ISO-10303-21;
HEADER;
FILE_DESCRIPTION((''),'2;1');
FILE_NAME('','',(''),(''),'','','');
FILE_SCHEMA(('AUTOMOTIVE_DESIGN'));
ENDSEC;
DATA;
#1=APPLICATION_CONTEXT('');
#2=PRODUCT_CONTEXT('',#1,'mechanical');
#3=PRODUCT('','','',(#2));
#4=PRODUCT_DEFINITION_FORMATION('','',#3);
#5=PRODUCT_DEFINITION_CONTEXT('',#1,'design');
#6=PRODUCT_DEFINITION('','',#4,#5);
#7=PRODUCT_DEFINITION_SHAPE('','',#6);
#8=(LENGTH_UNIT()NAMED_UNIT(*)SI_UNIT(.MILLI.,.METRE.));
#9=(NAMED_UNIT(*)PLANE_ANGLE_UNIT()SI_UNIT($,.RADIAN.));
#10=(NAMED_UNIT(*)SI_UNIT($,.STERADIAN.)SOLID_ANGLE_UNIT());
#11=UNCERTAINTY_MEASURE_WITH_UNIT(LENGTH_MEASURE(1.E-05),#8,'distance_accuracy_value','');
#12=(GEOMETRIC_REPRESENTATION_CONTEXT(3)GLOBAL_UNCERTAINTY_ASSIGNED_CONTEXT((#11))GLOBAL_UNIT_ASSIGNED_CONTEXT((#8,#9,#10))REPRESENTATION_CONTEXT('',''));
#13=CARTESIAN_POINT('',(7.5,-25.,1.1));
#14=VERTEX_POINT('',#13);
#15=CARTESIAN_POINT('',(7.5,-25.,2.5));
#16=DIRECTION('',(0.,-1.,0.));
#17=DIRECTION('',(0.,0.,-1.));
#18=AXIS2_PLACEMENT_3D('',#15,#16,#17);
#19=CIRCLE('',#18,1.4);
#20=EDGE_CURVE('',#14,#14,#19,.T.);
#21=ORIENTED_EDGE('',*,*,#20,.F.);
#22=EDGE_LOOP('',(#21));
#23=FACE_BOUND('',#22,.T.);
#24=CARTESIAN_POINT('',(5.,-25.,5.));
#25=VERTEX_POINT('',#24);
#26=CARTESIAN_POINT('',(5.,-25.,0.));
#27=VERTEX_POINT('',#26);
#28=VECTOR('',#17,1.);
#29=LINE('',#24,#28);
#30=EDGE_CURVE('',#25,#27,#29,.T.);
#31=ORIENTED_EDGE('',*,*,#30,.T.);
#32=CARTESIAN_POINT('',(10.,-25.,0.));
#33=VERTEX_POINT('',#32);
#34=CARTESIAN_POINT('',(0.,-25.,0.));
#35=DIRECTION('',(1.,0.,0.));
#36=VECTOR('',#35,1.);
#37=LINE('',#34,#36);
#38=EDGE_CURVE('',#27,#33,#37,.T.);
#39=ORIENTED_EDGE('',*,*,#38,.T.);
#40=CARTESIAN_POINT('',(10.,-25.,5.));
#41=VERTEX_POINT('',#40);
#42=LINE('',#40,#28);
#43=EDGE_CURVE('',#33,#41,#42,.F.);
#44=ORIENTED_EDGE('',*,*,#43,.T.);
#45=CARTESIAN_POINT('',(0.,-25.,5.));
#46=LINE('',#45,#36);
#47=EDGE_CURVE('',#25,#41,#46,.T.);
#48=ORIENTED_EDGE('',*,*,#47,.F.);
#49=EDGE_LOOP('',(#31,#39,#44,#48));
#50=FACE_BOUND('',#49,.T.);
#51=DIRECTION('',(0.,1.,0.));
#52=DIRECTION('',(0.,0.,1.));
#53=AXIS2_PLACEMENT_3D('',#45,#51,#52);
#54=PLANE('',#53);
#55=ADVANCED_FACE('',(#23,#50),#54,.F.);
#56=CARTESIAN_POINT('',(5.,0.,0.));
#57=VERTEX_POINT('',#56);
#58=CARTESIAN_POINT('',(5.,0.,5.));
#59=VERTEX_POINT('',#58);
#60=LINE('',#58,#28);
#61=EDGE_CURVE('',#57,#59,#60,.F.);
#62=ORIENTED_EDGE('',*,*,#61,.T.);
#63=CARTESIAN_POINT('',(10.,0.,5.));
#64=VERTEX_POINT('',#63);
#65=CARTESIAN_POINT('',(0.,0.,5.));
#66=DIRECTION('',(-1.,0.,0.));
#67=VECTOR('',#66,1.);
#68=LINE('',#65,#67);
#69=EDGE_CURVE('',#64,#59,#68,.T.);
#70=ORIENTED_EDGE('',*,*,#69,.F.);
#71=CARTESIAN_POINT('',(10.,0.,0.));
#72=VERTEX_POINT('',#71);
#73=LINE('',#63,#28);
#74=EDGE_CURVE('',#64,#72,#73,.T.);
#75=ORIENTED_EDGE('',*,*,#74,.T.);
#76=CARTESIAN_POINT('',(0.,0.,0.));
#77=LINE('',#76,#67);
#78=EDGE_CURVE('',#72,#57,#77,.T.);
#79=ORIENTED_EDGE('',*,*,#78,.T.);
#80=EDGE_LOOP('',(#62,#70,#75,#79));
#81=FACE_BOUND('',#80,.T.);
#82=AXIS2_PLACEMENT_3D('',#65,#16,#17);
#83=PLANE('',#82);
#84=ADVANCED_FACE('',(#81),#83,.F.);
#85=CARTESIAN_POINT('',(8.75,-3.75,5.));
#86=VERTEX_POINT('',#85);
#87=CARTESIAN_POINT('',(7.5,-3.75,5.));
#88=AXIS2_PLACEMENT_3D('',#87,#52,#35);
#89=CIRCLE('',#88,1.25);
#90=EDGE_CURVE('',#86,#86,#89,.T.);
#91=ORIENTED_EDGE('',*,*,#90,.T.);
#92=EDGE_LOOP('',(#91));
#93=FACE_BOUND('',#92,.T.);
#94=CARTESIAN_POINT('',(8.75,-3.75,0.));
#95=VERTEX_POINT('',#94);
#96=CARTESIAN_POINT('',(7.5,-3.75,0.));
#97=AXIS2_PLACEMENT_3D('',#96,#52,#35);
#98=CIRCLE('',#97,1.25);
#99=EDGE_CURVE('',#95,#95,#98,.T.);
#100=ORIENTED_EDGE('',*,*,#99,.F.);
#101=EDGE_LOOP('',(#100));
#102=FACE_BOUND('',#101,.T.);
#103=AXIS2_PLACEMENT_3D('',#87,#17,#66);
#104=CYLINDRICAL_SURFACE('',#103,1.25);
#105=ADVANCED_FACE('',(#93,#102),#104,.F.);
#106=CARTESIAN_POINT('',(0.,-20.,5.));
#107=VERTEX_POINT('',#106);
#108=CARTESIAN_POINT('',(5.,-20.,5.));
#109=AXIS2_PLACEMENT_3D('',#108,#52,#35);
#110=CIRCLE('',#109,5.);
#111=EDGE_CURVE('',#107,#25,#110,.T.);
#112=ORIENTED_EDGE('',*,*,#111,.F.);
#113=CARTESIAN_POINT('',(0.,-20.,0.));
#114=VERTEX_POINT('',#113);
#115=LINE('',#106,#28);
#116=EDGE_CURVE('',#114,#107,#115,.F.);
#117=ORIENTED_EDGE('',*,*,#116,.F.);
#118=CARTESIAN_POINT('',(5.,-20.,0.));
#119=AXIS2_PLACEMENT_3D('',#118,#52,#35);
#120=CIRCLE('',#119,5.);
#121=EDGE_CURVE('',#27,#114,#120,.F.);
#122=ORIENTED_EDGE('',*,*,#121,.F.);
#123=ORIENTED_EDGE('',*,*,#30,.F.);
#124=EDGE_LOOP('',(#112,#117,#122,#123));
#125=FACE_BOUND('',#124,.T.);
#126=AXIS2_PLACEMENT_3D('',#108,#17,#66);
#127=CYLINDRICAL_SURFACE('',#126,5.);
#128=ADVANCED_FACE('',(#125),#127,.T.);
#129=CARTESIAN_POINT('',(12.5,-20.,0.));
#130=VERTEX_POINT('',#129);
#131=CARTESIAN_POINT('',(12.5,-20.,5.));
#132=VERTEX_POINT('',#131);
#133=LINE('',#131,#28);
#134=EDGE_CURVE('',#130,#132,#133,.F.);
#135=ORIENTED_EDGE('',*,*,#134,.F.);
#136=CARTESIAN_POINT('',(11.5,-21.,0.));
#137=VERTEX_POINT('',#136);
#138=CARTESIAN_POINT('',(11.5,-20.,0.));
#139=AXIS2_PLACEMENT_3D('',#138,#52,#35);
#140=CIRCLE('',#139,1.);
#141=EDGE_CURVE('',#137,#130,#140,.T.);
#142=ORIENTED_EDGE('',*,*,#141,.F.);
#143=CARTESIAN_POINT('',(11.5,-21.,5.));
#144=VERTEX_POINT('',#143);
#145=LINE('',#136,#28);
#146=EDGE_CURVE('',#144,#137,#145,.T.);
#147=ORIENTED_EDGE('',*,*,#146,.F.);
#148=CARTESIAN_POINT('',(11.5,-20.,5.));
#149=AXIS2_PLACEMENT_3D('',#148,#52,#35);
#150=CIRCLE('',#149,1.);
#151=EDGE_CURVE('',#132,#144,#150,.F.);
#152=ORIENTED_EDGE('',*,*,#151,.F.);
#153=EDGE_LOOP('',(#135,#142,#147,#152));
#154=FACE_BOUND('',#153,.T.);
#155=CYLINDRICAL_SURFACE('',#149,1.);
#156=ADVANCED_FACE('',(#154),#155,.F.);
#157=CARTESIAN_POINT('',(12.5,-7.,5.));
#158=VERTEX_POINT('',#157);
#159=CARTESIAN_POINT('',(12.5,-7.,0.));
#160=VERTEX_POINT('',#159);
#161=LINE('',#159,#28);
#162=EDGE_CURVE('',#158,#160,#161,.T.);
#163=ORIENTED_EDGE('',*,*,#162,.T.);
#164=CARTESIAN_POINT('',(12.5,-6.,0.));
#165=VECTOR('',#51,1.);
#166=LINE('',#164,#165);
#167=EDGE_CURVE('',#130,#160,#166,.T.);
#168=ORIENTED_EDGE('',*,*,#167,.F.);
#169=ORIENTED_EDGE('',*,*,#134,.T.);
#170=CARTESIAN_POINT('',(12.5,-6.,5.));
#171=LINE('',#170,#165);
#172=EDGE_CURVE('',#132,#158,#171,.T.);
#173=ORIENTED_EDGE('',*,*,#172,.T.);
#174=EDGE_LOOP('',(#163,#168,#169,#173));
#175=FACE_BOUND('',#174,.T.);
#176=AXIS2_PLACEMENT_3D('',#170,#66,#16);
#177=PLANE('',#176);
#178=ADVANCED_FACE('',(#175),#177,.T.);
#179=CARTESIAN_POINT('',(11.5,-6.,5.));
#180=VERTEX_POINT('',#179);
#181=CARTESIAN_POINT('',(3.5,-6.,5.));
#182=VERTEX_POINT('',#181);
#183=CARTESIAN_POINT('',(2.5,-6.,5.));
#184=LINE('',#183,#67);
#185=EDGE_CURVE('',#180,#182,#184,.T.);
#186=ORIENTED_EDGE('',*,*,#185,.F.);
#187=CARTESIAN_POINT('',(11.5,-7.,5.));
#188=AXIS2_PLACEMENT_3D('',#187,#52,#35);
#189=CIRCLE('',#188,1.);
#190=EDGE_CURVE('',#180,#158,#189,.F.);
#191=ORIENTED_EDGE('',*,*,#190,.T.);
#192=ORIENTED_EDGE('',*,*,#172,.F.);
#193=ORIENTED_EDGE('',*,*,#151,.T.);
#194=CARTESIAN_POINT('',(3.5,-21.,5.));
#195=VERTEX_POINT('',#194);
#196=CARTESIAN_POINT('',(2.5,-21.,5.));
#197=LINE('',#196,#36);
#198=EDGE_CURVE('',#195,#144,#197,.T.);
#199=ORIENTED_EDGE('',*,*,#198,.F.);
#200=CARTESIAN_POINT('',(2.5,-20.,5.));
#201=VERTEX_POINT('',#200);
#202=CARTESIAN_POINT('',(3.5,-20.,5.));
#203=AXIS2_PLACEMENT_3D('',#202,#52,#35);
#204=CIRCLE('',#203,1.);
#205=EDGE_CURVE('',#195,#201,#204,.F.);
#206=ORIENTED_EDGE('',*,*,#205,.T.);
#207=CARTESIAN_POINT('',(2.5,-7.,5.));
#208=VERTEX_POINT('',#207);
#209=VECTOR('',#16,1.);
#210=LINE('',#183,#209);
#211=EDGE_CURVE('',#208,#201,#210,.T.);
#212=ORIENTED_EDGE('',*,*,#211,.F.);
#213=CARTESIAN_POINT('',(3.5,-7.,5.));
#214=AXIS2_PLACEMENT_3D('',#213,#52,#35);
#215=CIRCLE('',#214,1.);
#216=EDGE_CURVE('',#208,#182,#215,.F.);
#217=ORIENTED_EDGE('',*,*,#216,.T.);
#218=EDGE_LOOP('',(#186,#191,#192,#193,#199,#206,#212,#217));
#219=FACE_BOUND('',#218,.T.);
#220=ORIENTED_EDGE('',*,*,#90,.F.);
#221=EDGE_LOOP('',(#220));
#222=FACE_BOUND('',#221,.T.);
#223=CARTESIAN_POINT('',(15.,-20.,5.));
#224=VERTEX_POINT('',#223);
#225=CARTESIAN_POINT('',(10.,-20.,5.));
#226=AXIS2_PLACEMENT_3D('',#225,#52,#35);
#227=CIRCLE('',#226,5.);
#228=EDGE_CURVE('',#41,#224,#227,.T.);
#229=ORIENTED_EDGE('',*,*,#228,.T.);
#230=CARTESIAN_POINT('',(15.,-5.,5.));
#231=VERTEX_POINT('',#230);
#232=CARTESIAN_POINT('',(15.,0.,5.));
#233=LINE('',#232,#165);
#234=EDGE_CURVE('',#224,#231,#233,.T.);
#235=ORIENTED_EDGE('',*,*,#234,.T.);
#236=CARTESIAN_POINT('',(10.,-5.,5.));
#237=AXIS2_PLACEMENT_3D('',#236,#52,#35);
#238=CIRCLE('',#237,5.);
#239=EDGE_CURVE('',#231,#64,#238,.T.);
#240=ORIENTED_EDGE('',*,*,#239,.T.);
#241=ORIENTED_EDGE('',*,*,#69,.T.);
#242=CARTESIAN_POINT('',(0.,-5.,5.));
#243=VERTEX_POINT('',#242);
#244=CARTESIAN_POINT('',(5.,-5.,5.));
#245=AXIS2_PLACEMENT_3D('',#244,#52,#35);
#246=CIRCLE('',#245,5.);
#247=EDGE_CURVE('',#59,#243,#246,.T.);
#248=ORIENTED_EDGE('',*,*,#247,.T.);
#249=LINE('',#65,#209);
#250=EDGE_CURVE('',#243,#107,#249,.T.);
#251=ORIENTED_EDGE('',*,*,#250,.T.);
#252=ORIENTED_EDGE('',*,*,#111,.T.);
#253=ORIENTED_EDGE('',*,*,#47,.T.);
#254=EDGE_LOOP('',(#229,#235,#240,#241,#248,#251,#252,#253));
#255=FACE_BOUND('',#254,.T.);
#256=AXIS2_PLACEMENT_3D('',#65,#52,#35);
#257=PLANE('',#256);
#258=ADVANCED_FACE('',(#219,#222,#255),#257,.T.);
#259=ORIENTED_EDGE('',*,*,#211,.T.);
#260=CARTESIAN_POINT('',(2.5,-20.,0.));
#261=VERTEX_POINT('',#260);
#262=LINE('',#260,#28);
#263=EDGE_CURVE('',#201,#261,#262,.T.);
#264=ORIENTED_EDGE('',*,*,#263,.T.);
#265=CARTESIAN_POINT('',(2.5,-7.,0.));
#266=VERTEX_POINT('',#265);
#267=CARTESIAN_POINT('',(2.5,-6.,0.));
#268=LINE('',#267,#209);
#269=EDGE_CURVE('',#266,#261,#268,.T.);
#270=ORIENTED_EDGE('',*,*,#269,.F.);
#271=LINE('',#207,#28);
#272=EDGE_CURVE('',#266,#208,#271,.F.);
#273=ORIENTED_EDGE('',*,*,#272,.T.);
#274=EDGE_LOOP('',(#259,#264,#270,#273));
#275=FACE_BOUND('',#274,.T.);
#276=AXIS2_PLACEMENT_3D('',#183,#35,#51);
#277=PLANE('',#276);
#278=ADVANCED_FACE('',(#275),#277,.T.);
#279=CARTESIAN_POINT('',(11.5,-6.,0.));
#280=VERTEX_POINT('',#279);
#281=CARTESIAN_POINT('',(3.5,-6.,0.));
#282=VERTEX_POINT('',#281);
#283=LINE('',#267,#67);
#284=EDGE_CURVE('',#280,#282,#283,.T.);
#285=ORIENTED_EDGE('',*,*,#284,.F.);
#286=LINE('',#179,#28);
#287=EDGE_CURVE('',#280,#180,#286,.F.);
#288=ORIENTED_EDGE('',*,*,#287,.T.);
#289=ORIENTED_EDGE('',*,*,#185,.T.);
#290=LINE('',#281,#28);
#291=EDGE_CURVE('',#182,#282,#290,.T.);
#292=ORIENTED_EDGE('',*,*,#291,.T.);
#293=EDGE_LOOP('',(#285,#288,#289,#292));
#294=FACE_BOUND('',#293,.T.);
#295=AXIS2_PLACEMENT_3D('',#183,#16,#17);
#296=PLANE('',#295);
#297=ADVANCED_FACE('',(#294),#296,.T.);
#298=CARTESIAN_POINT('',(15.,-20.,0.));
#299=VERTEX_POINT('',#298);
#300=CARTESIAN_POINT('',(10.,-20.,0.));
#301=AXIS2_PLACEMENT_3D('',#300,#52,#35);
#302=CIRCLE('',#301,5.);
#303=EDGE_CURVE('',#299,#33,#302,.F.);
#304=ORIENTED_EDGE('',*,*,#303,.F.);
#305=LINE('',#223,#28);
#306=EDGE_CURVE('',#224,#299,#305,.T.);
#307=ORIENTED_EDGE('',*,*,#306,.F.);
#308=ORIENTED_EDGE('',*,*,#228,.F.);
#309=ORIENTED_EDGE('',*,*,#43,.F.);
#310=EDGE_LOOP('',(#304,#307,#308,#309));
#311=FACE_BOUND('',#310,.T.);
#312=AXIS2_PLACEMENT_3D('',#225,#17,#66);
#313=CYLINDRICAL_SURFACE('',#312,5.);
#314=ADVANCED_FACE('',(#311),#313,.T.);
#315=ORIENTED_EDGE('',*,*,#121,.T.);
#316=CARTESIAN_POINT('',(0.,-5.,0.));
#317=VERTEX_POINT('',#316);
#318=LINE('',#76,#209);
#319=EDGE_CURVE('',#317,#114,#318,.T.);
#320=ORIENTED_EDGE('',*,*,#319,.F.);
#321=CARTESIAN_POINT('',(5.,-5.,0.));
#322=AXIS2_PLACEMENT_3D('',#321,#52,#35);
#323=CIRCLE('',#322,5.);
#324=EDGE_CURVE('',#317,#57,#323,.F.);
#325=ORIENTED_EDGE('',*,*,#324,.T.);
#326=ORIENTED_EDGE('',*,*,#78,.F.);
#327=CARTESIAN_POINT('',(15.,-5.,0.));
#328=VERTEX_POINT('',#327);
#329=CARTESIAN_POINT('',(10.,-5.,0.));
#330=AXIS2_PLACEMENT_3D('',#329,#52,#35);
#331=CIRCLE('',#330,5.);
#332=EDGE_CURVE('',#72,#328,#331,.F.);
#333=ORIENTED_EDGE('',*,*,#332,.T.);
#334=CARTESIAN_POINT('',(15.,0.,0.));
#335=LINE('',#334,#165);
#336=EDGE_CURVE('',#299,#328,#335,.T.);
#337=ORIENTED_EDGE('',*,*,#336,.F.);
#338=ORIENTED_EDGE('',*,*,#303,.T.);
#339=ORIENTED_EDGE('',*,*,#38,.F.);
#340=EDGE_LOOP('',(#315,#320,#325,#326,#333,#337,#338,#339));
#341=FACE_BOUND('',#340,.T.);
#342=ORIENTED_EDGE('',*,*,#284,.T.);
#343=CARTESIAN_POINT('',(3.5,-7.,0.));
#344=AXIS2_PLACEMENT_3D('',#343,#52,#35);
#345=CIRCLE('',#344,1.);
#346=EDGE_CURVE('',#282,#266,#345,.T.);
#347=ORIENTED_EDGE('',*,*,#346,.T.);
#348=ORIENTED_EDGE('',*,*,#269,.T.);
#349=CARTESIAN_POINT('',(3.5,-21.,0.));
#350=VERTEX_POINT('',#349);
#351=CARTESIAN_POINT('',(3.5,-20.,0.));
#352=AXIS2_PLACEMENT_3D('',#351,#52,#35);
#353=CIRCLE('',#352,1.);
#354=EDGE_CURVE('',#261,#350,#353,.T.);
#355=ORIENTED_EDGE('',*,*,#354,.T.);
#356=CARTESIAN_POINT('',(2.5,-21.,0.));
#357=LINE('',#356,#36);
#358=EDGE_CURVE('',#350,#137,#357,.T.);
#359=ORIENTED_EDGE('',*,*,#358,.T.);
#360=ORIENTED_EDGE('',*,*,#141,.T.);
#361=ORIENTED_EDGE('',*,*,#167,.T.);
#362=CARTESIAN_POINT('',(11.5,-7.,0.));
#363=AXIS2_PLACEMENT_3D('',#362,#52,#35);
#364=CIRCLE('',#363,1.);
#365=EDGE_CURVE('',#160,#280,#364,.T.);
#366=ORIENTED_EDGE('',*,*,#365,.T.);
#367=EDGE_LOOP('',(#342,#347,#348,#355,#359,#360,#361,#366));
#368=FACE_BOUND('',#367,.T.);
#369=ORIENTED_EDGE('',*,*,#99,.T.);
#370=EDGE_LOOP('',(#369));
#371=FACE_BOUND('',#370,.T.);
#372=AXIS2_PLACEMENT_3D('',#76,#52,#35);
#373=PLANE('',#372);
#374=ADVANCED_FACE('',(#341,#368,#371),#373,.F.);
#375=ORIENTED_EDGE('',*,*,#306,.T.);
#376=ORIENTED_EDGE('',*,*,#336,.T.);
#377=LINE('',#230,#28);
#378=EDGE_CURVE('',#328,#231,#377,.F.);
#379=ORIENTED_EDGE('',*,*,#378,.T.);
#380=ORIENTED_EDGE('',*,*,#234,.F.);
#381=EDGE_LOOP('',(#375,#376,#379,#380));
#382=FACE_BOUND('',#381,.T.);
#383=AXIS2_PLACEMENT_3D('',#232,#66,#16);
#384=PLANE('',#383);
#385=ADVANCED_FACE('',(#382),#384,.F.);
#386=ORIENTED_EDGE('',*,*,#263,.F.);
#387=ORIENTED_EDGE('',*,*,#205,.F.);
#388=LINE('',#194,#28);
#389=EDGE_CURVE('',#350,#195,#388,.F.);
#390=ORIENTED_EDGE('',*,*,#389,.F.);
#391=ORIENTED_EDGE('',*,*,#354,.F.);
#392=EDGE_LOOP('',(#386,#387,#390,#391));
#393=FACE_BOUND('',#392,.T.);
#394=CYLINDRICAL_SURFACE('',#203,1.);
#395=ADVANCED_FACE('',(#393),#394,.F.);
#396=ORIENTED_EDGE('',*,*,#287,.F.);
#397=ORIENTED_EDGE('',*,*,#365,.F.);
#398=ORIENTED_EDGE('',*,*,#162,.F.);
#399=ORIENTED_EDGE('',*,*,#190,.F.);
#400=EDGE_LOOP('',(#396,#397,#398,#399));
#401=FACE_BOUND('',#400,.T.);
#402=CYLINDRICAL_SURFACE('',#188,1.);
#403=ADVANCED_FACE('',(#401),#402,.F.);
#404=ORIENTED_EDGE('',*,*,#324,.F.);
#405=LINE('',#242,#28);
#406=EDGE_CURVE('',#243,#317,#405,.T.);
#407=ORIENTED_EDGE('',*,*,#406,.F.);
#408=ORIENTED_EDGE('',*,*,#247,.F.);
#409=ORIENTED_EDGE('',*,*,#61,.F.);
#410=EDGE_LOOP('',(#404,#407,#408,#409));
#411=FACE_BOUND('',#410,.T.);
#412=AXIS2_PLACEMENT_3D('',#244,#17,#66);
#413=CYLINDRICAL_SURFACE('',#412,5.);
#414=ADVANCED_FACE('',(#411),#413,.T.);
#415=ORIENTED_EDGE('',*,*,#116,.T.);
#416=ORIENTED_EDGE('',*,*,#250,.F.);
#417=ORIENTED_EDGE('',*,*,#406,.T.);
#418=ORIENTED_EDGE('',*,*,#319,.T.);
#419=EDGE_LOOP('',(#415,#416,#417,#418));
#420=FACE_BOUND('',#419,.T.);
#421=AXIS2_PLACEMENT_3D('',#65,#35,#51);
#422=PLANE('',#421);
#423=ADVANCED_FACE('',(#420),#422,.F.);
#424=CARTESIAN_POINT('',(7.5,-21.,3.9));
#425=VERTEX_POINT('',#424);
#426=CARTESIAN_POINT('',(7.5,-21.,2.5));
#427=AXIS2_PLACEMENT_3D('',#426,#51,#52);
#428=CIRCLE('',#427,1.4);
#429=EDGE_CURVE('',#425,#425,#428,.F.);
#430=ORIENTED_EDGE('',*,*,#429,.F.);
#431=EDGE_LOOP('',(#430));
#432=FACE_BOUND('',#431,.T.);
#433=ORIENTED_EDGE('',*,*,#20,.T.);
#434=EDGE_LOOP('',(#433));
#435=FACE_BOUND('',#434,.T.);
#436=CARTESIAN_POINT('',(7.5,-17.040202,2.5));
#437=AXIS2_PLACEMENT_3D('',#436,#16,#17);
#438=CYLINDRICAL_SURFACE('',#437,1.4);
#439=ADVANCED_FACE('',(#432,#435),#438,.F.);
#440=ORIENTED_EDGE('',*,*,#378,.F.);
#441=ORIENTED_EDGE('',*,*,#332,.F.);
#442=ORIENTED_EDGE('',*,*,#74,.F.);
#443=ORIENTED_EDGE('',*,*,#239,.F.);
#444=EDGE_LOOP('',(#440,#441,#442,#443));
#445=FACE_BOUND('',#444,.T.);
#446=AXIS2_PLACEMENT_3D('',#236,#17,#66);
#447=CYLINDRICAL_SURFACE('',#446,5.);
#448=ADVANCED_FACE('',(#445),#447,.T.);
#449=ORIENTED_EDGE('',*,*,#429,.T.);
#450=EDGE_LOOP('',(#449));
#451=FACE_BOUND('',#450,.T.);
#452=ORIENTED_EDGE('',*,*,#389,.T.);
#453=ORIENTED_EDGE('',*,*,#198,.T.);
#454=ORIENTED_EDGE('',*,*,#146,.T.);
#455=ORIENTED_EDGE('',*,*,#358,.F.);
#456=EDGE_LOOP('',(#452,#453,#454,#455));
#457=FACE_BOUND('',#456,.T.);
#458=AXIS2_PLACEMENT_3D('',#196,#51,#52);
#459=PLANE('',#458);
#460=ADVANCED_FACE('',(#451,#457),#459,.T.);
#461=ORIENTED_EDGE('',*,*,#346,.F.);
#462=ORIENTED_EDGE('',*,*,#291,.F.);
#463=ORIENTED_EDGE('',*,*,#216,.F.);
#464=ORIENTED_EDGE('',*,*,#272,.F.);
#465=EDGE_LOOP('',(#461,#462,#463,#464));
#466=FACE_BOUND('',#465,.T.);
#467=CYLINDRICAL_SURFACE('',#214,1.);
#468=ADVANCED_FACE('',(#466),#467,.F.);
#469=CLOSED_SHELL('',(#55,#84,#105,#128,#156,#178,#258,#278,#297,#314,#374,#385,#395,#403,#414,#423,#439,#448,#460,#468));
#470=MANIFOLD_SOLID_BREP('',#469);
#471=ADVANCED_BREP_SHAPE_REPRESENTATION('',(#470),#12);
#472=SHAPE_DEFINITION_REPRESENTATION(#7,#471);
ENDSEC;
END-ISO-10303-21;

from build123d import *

# Parameters (mm, degrees)
SKETCH1_W           = 15
SKETCH1_H           = 25
SKETCH1_R           = 1.25
SKETCH1_W_2         = 10
SKETCH1_H_2         = 15
BOSS_EXTRUDE1_DEPTH = 5
SKETCH2_R           = 1.4
CUT_EXTRUDE1_DEPTH  = 4
FILLET1_R           = 5
FILLET2_R           = 1


with BuildPart() as part:
    # Sketch1 → Boss-Extrude1 (new body)
    with BuildSketch(Plane.XY):
        with Locations((7.5, -12.5)):
            Rectangle(SKETCH1_W, SKETCH1_H)
        with Locations((7.5, -3.75)):
            Circle(SKETCH1_R, mode=Mode.SUBTRACT)
        with Locations((7.5, -13.5)):
            Rectangle(SKETCH1_W_2, SKETCH1_H_2, mode=Mode.SUBTRACT)
    extrude(amount=BOSS_EXTRUDE1_DEPTH)

    # Sketch2 → Cut-Extrude1 (cut)
    with BuildSketch(Plane.XZ.offset(25)):
        with Locations(Location((7.5, 2.5, 0), (0, 0, 270))):
            Circle(SKETCH2_R)
    extrude(amount=-CUT_EXTRUDE1_DEPTH, mode=Mode.SUBTRACT)

    # Fillet1
    fillet1_edges = [part.edges().sort_by_distance(p)[0] for p in [
        (0, 0, 2.5),
        (15, 0, 2.5),
        (15, -25, 2.5),
        (0, -25, 2.5),
    ]]
    fillet(fillet1_edges, radius=FILLET1_R)

    # Fillet2
    fillet2_edges = [part.edges().sort_by_distance(p)[0] for p in [
        (12.5, -21, 2.5),
        (12.5, -6, 2.5),
        (2.5, -6, 2.5),
        (2.5, -21, 2.5),
    ]]
    fillet(fillet2_edges, radius=FILLET2_R)


solid = part.part
